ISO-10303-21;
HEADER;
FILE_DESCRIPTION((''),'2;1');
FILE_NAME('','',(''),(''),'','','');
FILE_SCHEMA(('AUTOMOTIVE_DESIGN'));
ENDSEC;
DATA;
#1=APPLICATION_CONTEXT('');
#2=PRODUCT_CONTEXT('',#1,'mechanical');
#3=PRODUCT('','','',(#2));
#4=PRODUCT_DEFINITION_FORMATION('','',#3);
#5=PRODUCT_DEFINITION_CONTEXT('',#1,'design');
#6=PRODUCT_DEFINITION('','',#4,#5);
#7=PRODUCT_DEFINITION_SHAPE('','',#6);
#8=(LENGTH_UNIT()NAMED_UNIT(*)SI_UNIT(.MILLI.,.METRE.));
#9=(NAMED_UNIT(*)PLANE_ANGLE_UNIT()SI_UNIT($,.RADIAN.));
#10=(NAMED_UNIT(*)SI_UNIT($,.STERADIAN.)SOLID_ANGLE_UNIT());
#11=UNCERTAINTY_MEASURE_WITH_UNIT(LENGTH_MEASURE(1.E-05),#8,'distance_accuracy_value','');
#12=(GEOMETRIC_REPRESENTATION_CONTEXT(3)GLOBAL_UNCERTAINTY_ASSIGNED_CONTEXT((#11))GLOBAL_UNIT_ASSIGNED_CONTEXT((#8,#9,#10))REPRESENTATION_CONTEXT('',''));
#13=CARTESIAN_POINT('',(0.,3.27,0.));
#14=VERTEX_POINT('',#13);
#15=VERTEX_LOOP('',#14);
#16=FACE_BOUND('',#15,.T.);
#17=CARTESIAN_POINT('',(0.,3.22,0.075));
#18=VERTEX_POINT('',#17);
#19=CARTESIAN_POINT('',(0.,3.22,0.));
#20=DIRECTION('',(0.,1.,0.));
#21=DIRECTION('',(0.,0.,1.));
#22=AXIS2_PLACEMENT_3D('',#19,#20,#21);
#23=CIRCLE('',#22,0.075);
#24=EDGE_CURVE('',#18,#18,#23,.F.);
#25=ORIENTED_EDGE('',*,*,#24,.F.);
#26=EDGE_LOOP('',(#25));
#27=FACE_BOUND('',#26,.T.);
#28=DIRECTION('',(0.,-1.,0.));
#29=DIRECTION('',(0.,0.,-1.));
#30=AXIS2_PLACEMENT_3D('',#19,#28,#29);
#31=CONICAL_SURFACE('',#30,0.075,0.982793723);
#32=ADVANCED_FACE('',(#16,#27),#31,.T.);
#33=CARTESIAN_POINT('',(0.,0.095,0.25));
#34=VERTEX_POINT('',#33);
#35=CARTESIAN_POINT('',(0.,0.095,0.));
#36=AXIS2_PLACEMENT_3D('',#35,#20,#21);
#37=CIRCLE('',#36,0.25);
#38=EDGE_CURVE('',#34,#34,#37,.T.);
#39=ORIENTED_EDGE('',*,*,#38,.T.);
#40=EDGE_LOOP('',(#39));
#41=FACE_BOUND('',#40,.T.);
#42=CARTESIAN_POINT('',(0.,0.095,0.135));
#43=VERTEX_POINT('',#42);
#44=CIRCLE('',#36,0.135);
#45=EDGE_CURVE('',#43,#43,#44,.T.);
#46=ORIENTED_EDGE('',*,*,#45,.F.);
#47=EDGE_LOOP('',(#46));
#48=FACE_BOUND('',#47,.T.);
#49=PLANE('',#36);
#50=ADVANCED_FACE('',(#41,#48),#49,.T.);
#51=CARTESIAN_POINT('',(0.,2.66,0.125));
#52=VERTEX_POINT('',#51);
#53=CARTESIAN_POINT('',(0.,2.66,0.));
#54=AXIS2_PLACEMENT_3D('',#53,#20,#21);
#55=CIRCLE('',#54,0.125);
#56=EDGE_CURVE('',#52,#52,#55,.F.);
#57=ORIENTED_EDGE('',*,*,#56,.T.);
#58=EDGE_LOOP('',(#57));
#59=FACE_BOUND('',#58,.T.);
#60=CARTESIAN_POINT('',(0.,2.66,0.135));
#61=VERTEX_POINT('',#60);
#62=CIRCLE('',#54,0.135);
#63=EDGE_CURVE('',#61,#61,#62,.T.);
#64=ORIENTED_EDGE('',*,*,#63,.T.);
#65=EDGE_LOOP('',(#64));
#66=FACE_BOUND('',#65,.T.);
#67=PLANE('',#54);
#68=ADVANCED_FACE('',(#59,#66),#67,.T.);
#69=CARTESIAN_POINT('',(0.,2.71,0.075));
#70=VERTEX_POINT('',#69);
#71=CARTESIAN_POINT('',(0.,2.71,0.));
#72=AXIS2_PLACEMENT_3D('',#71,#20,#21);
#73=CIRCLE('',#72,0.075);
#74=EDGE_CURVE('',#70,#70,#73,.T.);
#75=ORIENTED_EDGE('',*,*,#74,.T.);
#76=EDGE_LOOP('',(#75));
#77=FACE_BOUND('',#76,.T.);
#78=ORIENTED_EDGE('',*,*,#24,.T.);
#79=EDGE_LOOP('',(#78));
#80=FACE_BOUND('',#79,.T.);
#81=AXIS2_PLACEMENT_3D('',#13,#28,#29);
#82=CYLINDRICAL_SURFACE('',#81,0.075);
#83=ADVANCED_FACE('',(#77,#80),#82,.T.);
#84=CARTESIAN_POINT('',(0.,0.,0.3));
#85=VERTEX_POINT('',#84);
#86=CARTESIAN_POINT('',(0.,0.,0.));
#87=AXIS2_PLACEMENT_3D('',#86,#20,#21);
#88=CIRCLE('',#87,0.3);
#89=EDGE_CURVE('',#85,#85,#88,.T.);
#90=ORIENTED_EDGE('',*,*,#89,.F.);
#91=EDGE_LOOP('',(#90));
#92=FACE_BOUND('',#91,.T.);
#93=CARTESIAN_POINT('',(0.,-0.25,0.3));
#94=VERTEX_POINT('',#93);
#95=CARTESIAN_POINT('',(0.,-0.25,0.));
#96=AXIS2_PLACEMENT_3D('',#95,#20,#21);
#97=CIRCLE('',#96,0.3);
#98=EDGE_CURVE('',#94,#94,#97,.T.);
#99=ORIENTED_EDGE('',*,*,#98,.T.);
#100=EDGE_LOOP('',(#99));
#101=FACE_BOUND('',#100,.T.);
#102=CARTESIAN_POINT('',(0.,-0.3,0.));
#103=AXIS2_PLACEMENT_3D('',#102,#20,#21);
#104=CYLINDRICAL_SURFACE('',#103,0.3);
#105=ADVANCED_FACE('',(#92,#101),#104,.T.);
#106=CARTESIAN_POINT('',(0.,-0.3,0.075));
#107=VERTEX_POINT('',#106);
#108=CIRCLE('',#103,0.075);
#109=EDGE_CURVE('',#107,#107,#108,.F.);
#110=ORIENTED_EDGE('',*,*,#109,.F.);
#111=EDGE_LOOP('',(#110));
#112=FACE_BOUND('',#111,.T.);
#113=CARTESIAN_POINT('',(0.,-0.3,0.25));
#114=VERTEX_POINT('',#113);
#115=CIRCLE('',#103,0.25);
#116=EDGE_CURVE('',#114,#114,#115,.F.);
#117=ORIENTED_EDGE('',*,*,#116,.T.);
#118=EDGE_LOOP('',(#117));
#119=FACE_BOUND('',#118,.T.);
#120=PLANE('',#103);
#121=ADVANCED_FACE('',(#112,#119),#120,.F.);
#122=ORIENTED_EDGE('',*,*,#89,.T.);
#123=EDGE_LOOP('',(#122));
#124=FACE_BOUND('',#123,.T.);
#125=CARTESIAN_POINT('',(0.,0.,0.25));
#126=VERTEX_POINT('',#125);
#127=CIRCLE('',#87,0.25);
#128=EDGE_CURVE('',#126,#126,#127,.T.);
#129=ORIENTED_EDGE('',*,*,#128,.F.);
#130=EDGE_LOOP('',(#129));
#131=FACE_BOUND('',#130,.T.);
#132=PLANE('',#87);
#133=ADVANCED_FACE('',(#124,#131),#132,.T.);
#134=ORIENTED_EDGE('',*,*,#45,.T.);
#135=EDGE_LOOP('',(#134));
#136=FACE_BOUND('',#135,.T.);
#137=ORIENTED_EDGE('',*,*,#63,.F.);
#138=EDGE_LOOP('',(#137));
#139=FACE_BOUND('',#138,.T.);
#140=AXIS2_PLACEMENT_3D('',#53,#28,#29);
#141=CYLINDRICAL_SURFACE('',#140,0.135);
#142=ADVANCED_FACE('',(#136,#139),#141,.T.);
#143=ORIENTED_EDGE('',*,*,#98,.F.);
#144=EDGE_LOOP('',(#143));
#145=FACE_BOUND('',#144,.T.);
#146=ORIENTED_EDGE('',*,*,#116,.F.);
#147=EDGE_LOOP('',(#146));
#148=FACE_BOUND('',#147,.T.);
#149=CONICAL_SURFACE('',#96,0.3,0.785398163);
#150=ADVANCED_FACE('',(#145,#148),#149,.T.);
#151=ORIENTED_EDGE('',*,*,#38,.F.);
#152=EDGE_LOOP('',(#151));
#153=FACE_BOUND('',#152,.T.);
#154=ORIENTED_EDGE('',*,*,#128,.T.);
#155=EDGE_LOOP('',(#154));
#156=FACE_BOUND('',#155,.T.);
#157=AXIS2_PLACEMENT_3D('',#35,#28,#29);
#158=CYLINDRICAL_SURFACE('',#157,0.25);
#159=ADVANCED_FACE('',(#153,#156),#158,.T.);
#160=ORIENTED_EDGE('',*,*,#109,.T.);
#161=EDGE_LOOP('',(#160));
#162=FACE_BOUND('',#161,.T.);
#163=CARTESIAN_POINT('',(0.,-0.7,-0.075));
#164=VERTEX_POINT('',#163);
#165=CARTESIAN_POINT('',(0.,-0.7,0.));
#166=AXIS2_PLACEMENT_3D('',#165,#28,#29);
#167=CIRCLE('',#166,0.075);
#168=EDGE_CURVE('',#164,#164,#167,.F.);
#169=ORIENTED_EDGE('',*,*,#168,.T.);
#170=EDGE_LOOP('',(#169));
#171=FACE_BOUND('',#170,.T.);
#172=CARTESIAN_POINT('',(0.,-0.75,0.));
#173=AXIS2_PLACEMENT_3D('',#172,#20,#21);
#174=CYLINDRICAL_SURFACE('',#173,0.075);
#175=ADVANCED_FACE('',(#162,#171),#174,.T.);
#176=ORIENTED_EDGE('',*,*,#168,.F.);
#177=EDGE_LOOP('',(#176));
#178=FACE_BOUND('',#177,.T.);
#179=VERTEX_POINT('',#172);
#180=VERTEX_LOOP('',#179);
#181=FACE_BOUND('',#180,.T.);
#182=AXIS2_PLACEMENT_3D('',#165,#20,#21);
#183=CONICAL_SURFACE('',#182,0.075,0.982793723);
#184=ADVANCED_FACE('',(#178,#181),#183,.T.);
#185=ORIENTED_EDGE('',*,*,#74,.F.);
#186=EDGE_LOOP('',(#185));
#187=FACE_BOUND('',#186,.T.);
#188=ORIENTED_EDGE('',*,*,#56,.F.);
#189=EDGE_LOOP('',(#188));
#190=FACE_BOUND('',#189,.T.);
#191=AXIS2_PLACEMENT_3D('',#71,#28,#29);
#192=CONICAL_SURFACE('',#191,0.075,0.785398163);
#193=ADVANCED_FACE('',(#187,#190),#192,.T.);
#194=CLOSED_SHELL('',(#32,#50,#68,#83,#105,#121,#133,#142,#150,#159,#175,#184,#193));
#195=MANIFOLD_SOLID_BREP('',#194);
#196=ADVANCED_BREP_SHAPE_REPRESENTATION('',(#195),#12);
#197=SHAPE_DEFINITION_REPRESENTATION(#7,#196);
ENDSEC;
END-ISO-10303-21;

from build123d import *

# Parameters (mm, degrees)
SKETCH2_R           = 0.3
BOSS_EXTRUDE1_DEPTH = 0.3
SKETCH3_R           = 0.075
BOSS_EXTRUDE2_DEPTH = 0.45
SKETCH4_R           = 0.25
BOSS_EXTRUDE3_DEPTH = 0.095
SKETCH5_R           = 0.135
BOSS_EXTRUDE4_DEPTH = 2.565
SKETCH6_R           = 0.075
BOSS_EXTRUDE5_DEPTH = 0.61
CHAMFER1_SIZE       = 0.05
CHAMFER1_SIZE2      = 0.075
CHAMFER2_SIZE       = 0.05
CHAMFER3_SIZE       = 0.05
CHAMFER4_SIZE       = 0.05
CHAMFER4_SIZE2      = 0.075


with BuildPart() as part:
    # Sketch2 → Boss-Extrude1 (new body)
    with BuildSketch(Plane(origin=(0, 0, 0), x_dir=(1, 0, 0), z_dir=(0, 1, 0))):
        Circle(SKETCH2_R)
    extrude(amount=-BOSS_EXTRUDE1_DEPTH)

    # Sketch3 → Boss-Extrude2 (add)
    with BuildSketch(Plane.XZ.offset(0.3)):
        Circle(SKETCH3_R)
    extrude(amount=BOSS_EXTRUDE2_DEPTH)

    # Sketch4 → Boss-Extrude3 (add)
    with BuildSketch(Plane(origin=(0, 0, 0), x_dir=(1, 0, 0), z_dir=(0, 1, 0))):
        Circle(SKETCH4_R)
    extrude(amount=BOSS_EXTRUDE3_DEPTH)

    # Sketch5 → Boss-Extrude4 (add)
    with BuildSketch(Plane(origin=(0, 0.095, 0), x_dir=(1, 0, 0), z_dir=(0, 1, 0))):
        Circle(SKETCH5_R)
    extrude(amount=BOSS_EXTRUDE4_DEPTH)

    # Sketch6 → Boss-Extrude5 (add)
    with BuildSketch(Plane(origin=(0, 2.66, 0), x_dir=(1, 0, 0), z_dir=(0, 1, 0))):
        Circle(SKETCH6_R)
    extrude(amount=BOSS_EXTRUDE5_DEPTH)

    # Chamfer1
    chamfer1_edges = [part.edges().sort_by_distance(p)[0] for p in [
        (-0.075, -0.75, 0),
    ]]
    chamfer1_side = [part.faces().sort_by_distance(p)[0] for p in [
        (-0.075, -0.525, 0),
    ]]
    chamfer(chamfer1_edges, length=CHAMFER1_SIZE, length2=CHAMFER1_SIZE2, reference=chamfer1_side[0])

    # Chamfer2
    chamfer2_edges = [part.edges().sort_by_distance(p)[0] for p in [
        (-0.3, -0.3, 0),
    ]]
    chamfer(chamfer2_edges, length=CHAMFER2_SIZE)

    # Chamfer3
    chamfer3_edges = [part.edges().sort_by_distance(p)[0] for p in [
        (-0.075, 2.66, 0),
    ]]
    chamfer(chamfer3_edges, length=CHAMFER3_SIZE)

    # Chamfer4
    chamfer4_edges = [part.edges().sort_by_distance(p)[0] for p in [
        (-0.075, 3.27, 0),
    ]]
    chamfer4_side = [part.faces().sort_by_distance(p)[0] for p in [
        (-0.075, 2.99, 0),
    ]]
    chamfer(chamfer4_edges, length=CHAMFER4_SIZE, length2=CHAMFER4_SIZE2, reference=chamfer4_side[0])


solid = part.part
